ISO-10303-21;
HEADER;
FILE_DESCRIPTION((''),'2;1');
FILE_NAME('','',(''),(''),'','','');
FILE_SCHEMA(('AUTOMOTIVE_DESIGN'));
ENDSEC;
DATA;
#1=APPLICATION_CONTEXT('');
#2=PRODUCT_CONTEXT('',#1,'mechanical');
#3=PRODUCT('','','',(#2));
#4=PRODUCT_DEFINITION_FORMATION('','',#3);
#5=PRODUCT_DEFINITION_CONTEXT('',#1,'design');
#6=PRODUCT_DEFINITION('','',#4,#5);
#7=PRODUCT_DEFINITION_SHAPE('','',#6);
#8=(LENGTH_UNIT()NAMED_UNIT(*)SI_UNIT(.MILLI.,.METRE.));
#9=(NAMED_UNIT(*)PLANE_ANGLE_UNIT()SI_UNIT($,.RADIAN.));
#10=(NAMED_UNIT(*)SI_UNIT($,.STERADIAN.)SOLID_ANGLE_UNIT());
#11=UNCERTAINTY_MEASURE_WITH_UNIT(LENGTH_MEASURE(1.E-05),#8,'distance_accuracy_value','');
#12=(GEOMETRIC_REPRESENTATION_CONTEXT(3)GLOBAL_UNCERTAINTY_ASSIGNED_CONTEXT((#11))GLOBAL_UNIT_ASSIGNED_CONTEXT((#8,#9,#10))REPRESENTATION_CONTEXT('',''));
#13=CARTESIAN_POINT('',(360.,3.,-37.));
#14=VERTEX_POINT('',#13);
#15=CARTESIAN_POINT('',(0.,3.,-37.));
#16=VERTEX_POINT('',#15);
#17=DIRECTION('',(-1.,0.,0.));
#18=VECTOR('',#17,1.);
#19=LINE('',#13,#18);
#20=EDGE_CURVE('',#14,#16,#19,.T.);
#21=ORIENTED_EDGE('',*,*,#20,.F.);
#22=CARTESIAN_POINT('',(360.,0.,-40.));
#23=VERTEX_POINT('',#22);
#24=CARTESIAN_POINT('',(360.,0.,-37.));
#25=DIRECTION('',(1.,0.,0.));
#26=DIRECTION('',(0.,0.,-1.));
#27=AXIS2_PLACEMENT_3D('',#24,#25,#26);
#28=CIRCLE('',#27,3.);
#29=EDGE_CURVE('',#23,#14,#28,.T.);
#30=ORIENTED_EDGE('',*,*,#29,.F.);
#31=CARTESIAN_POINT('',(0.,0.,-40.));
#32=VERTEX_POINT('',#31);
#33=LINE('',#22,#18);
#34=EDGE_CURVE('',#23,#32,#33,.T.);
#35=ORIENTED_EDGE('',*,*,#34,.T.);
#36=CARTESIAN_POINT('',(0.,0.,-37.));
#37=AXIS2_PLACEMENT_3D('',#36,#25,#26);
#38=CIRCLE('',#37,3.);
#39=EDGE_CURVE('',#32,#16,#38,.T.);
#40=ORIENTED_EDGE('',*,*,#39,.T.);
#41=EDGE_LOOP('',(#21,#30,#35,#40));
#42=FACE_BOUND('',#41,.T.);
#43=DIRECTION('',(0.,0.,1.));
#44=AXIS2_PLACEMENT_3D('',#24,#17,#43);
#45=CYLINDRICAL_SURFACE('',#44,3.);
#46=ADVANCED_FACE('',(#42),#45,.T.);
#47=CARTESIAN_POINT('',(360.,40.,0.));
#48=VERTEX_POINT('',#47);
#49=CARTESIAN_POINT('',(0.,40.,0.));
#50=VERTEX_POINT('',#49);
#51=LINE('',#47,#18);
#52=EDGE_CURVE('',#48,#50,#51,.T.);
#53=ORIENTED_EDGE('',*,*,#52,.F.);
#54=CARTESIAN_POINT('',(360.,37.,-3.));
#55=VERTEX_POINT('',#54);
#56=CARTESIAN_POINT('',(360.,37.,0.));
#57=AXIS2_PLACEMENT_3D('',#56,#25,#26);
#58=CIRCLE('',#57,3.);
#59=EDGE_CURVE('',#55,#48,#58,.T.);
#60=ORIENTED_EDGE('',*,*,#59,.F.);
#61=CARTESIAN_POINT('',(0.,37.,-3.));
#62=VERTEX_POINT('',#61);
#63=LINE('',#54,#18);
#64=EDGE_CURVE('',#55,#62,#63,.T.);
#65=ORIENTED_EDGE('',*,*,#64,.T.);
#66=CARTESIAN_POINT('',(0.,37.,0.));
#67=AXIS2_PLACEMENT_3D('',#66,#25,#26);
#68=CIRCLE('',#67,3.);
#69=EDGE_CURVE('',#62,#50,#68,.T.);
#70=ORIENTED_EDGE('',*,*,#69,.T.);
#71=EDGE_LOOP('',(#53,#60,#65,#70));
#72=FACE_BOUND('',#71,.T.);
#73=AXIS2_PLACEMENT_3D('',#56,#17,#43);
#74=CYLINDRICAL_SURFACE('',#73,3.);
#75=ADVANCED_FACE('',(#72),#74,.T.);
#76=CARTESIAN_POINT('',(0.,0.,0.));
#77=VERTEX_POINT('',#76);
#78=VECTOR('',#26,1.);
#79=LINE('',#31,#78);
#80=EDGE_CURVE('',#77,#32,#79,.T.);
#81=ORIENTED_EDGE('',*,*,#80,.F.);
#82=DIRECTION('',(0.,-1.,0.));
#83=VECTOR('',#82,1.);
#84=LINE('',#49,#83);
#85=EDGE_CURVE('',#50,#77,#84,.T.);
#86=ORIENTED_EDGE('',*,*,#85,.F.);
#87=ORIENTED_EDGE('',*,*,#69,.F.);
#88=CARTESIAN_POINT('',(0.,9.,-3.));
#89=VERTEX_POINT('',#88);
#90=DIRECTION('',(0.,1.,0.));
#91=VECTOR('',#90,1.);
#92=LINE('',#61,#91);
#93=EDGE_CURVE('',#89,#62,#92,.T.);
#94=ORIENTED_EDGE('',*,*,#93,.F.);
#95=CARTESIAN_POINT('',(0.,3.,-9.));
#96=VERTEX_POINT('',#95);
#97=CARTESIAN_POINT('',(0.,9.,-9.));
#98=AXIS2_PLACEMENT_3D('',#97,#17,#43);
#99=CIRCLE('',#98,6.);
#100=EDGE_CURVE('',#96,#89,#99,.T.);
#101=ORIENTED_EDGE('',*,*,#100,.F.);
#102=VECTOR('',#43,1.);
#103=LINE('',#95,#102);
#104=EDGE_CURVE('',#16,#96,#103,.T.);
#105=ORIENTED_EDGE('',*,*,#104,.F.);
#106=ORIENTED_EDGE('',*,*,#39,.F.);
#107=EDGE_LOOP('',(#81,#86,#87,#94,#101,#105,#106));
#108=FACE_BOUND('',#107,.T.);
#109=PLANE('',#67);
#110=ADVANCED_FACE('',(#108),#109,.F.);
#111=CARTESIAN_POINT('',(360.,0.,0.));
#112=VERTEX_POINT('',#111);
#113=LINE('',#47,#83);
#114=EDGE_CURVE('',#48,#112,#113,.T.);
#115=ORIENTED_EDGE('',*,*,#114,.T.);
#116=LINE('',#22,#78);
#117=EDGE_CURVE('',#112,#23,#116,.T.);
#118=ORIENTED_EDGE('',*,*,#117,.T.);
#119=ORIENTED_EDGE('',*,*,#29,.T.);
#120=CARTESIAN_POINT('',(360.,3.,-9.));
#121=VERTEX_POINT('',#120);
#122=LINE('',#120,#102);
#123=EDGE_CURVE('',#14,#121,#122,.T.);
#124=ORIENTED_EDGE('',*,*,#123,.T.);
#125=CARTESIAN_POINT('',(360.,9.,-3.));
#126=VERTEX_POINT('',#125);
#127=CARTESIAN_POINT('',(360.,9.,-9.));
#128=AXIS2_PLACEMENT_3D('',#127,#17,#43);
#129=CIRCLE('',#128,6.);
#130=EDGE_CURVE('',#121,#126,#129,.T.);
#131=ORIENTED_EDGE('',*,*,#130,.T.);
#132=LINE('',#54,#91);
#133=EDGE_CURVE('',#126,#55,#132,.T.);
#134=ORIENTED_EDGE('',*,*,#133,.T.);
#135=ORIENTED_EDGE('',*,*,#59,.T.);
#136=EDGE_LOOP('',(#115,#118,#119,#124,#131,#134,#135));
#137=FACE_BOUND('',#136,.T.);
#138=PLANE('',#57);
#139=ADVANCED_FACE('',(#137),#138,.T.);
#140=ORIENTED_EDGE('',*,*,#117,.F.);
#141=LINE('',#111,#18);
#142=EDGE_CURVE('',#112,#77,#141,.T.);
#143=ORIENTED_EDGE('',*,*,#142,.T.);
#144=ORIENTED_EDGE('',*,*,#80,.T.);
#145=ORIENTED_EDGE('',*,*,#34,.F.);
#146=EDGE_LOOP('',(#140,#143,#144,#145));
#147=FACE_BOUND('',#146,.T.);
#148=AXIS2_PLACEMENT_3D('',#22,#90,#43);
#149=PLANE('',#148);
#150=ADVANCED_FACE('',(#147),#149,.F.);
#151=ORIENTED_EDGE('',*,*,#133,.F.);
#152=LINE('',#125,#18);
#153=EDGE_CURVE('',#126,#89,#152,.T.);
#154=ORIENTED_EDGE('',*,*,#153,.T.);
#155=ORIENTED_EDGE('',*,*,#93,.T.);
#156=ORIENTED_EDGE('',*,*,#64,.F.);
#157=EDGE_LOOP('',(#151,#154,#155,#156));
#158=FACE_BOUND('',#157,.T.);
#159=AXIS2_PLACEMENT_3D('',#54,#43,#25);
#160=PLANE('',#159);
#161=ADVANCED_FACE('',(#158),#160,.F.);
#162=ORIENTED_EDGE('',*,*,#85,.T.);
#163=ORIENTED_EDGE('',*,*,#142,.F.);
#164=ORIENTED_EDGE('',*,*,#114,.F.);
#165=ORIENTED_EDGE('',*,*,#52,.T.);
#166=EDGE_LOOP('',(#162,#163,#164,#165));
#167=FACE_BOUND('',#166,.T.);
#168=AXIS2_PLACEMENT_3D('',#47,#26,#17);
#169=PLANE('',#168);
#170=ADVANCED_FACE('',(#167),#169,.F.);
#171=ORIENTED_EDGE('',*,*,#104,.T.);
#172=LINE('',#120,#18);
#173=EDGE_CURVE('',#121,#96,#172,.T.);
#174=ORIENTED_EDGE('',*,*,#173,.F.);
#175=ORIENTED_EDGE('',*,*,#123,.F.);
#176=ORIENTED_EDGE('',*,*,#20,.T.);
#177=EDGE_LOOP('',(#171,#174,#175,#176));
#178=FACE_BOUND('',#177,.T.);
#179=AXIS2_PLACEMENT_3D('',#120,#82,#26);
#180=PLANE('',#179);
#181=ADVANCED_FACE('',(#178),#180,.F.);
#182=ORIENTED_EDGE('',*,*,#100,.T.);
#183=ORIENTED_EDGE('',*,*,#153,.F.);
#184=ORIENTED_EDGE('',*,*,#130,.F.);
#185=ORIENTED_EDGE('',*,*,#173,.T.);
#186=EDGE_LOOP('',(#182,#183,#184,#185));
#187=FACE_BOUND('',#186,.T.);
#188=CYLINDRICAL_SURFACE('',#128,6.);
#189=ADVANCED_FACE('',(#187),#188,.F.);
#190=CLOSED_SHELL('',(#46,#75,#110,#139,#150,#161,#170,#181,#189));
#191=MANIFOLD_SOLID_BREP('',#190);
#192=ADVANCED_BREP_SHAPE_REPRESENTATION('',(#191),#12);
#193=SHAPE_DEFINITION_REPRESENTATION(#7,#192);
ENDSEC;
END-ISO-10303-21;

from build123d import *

# Parameters (mm, degrees)
L_ANGLE_EQUAL_40X40X3_11_DEPTH = 360


with BuildPart() as part:
    # Sketch13 → L angle (equal) 40X40X3(11) (new body)
    with BuildSketch(Plane(origin=(0, 0, 0), x_dir=(0, 0, -1), z_dir=(1, 0, 0))):
        with BuildLine():
            Line((0, 40), (0, 0))
            Line((0, 0), (40, 0))
            ThreePointArc((40, 0), (39.121320344, 2.121320344), (37, 3))
            Line((37, 3), (9, 3))
            ThreePointArc((9, 3), (4.757359313, 4.757359313), (3, 9))
            Line((3, 9), (3, 37))
            ThreePointArc((3, 37), (2.121320344, 39.121320344), (0, 40))
        make_face()
    extrude(amount=L_ANGLE_EQUAL_40X40X3_11_DEPTH)


solid = part.part
